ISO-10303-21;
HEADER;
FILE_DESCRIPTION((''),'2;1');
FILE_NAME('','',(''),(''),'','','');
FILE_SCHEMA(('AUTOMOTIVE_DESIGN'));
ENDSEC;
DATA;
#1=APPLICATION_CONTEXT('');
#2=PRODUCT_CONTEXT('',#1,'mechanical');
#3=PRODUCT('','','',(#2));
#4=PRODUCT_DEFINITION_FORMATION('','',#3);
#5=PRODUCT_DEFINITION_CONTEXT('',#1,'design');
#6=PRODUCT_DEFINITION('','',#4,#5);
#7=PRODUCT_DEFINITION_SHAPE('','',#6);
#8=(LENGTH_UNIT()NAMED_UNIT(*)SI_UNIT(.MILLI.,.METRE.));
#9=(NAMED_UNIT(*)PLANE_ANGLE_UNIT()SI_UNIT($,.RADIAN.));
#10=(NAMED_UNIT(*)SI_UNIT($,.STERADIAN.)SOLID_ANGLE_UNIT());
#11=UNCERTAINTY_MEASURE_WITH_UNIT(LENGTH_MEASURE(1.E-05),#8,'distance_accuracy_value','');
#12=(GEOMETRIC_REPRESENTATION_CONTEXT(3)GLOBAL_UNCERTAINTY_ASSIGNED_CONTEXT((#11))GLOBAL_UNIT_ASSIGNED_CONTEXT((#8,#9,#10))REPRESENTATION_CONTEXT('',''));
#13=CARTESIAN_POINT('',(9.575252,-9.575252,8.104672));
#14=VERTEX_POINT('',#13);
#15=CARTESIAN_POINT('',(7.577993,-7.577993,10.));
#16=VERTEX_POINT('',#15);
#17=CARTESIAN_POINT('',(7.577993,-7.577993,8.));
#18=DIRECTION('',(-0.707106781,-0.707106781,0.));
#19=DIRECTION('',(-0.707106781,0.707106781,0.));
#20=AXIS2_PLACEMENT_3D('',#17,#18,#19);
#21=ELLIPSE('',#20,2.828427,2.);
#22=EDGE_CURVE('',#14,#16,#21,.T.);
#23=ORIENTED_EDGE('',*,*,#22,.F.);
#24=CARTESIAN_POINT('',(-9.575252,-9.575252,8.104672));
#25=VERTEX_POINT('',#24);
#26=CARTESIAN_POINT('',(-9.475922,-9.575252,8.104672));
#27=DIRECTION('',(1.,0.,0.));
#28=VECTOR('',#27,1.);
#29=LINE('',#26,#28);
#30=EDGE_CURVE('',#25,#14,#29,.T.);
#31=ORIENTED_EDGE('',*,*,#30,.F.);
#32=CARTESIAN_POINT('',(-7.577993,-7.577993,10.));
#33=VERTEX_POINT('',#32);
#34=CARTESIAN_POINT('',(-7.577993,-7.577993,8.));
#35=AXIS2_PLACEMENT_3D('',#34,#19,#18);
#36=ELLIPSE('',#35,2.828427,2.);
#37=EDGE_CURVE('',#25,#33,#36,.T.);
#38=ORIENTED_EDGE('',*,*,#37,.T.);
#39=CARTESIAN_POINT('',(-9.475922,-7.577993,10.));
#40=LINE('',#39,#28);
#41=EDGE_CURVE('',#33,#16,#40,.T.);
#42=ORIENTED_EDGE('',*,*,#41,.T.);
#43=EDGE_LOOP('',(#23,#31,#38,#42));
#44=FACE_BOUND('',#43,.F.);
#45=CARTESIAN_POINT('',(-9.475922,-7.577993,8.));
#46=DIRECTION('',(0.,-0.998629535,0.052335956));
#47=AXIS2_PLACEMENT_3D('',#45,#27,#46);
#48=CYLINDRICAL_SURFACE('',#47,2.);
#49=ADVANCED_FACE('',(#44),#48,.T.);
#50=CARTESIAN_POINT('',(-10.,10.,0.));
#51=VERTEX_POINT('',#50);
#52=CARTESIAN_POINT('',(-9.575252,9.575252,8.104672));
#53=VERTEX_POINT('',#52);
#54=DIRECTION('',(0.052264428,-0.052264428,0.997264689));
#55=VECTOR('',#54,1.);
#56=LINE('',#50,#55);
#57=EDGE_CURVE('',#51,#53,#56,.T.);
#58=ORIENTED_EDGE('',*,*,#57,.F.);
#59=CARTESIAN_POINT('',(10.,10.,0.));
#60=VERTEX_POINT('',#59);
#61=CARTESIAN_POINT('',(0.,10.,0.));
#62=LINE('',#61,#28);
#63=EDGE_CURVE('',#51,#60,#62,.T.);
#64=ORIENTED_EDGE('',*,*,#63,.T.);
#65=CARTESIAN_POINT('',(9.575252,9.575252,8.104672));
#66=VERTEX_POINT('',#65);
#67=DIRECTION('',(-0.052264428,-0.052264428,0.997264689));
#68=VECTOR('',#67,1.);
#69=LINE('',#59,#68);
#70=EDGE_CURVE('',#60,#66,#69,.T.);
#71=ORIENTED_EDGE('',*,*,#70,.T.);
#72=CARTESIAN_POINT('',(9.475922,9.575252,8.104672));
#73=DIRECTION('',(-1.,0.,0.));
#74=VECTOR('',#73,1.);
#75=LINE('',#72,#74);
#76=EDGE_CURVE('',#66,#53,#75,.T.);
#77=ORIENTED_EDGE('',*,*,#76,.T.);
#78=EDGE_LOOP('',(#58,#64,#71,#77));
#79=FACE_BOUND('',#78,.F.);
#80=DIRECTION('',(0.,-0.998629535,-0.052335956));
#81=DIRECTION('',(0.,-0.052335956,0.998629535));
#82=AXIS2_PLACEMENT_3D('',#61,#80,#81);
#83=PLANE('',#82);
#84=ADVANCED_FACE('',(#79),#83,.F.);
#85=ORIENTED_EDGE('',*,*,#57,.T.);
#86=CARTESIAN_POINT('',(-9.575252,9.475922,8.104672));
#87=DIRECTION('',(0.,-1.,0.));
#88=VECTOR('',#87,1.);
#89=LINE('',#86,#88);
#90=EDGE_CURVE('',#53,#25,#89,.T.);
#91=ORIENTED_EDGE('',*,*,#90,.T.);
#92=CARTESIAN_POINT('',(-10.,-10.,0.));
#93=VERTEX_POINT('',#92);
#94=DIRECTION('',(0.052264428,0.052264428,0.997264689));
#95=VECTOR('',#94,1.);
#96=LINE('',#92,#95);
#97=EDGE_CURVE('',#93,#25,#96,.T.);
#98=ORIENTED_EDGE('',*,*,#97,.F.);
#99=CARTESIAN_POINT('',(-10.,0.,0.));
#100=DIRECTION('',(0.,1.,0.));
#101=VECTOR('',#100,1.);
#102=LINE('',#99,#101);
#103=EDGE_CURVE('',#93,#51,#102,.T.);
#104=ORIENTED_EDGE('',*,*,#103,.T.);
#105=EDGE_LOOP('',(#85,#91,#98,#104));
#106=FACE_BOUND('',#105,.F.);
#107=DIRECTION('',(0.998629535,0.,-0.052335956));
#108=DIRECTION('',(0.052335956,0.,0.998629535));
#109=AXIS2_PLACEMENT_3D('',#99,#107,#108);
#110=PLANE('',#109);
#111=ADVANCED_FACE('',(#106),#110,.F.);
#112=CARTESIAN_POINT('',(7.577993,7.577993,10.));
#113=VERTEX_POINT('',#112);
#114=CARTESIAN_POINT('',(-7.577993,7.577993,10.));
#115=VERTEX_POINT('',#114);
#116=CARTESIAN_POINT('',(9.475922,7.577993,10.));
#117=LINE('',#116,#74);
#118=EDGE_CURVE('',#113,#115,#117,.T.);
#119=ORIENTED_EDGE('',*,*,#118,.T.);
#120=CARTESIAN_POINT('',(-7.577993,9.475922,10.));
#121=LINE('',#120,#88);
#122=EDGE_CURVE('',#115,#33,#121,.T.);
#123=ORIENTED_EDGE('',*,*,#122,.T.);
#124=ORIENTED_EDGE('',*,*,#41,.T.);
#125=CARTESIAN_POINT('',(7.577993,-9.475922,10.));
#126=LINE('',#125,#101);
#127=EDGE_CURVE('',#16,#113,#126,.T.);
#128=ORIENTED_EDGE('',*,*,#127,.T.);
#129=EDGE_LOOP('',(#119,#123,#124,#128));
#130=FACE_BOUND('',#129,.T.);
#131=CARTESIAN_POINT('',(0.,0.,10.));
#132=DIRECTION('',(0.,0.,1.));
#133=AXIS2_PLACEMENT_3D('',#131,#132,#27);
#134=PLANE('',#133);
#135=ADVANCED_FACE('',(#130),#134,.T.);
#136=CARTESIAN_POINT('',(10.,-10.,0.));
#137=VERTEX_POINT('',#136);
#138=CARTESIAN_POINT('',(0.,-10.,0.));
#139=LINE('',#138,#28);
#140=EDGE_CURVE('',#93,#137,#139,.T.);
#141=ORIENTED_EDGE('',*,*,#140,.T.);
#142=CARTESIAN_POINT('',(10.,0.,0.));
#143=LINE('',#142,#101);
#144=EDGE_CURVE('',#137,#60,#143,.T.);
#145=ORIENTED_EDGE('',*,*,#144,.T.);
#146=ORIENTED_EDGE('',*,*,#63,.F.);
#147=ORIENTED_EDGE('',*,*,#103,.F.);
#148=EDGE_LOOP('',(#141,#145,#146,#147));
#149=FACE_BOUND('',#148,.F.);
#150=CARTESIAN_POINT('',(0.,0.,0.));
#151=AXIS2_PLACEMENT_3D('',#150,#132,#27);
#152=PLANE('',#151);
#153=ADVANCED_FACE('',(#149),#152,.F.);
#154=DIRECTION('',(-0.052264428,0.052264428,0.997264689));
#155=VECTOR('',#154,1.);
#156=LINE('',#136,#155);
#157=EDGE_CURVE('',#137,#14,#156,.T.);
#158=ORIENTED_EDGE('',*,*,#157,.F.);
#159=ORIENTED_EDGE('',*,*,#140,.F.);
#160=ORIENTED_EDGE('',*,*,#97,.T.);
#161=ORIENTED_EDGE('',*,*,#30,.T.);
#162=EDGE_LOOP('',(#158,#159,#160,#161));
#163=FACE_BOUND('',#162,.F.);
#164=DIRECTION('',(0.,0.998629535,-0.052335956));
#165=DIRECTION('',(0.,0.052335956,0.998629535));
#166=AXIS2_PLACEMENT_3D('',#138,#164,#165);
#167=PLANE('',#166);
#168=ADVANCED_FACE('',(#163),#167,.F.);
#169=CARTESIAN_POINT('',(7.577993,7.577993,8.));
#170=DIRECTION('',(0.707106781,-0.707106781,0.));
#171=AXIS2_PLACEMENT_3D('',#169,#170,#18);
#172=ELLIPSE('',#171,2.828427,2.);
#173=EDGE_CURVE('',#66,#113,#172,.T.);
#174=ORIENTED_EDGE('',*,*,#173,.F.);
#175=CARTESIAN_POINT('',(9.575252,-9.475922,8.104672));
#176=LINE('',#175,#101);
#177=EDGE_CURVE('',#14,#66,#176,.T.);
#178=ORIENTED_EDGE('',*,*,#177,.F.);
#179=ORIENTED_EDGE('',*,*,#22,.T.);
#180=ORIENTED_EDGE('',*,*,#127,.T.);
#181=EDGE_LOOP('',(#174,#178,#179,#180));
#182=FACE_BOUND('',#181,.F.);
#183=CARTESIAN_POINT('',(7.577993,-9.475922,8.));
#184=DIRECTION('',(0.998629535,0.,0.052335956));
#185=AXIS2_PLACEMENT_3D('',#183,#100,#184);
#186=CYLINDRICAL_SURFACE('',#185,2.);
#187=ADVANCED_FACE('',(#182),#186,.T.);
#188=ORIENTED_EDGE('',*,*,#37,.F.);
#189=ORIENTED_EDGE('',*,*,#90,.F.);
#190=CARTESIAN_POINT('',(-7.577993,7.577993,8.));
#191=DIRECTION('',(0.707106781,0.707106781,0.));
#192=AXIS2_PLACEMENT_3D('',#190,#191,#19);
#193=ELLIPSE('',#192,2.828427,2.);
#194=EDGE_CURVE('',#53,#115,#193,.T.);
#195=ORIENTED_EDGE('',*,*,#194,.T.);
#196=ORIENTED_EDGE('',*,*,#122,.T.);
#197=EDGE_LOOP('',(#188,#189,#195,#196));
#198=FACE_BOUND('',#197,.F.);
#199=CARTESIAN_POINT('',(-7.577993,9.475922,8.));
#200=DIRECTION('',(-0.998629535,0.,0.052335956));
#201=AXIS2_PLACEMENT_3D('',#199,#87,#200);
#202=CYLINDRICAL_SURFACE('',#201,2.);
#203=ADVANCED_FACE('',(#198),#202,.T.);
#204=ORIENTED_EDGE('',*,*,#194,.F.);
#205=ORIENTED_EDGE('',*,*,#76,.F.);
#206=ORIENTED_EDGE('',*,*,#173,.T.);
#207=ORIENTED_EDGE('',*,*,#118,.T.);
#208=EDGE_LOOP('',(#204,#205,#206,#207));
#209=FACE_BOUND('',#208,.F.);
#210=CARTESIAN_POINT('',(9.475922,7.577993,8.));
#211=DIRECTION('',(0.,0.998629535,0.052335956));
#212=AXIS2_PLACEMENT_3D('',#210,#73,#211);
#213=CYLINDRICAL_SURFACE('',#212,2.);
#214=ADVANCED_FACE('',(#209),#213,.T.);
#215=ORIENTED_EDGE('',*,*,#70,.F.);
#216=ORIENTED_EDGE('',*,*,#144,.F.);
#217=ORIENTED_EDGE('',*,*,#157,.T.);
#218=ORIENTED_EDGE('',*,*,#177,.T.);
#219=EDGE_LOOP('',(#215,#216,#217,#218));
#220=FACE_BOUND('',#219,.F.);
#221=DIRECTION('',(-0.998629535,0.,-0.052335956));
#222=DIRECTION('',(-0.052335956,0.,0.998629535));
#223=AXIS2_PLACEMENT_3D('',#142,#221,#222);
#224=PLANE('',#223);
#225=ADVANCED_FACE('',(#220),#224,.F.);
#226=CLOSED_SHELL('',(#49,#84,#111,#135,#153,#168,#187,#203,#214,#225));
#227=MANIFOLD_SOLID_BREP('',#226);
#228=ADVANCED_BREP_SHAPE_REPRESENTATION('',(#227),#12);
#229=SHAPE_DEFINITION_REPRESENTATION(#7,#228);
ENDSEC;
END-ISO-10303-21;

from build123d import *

# Parameters (mm, degrees)
F0_W     = 20
F0_H     = 20
F1_DEPTH = 10
F1_TAPER = 3
F2_R     = 2


with BuildPart() as f1:
    # F0 (on Top) → F1 (new body)
    with BuildSketch(Plane.XY):
        Rectangle(F0_W, F0_H)
    extrude(amount=F1_DEPTH, taper=F1_TAPER)

    # F2
    f2_edges = [f1.edges().sort_by_distance(p)[0] for p in [
        (0, 9.475922, 10),
        (-9.475922, 0, 10),
        (9.475922, 0, 10),
        (0, -9.475922, 10),
    ]]
    fillet(f2_edges, radius=F2_R)


solid = f1.part
